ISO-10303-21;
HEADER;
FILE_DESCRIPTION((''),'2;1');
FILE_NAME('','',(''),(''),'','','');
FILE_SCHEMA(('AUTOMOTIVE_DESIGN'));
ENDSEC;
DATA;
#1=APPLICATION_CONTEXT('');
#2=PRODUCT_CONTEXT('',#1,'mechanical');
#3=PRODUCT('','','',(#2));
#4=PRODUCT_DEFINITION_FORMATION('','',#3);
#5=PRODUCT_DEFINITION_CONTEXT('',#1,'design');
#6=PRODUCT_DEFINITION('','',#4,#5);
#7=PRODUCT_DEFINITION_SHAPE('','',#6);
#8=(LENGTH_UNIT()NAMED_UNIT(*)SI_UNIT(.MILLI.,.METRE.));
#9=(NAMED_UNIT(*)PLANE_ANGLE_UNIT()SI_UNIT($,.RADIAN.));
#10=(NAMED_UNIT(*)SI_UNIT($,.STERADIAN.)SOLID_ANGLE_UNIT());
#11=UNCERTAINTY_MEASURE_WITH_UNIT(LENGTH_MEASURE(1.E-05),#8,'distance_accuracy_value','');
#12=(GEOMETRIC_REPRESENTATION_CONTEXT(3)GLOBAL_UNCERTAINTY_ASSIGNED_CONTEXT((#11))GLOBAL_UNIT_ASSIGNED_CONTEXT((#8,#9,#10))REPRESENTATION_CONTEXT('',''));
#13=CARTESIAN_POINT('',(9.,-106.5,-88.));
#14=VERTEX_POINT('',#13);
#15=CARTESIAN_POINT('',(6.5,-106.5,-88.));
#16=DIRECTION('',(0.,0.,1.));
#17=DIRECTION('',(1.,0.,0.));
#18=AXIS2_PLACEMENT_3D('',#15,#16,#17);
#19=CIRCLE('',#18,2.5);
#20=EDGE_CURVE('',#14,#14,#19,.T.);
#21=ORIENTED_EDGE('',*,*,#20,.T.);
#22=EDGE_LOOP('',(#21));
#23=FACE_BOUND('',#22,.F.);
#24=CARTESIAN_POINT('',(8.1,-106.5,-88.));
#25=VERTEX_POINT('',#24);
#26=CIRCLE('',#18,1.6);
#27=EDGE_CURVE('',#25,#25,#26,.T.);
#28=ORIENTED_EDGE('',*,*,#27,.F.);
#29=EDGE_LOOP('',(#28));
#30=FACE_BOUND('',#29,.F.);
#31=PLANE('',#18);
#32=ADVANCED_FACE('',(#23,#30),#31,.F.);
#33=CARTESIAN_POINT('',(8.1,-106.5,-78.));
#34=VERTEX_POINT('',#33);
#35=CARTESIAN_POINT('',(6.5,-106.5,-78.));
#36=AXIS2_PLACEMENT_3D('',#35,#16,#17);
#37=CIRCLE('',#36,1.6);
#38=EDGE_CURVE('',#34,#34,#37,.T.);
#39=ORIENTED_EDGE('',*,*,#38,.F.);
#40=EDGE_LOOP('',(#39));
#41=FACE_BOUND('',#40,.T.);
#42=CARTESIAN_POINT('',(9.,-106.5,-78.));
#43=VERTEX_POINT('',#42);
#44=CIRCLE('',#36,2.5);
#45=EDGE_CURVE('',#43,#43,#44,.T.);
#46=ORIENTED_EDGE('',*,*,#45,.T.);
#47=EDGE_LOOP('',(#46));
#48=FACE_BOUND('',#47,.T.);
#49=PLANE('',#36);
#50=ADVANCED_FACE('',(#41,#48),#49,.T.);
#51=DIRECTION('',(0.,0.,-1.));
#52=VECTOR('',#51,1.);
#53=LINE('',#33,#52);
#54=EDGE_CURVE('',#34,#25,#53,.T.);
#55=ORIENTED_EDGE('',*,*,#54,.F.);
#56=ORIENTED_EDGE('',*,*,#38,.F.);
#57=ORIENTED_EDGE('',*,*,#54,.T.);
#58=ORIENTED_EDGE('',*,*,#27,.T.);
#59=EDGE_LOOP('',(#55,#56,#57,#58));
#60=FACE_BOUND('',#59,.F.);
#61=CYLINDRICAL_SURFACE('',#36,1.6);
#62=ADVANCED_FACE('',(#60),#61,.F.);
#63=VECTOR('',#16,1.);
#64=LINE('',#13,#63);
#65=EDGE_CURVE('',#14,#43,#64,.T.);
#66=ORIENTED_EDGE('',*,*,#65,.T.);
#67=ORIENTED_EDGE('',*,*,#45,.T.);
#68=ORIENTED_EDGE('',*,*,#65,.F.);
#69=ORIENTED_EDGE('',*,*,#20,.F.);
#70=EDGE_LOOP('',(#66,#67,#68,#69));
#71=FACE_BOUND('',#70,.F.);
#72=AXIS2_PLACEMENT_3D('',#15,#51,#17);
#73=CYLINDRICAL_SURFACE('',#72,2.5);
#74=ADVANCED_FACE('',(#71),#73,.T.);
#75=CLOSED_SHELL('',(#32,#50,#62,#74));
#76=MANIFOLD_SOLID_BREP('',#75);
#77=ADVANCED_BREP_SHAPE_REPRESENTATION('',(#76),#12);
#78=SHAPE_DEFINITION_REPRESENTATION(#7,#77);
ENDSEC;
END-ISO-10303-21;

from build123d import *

# Parameters (mm, degrees)
SKETCH055_R  = 1.6
PAD021_DEPTH = 10
SKETCH054_R  = 2.5
PAD020_DEPTH = 10


with BuildPart() as pad021:
    # Sketch055 → Pad021 (new body)
    with BuildSketch(Plane.XY.offset(10)):
        Circle(SKETCH055_R)
    extrude(amount=-PAD021_DEPTH)


with BuildPart() as cut038:
    # Sketch054 → Pad020 (new body)
    with BuildSketch(Plane.XY):
        Circle(SKETCH054_R)
    extrude(amount=PAD020_DEPTH)

    # Cut038: cut Pad021
    add(pad021.part, mode=Mode.SUBTRACT)


with BuildPart() as cut038_1:
    # Cut038 placement: moved
    add(cut038.part.moved(Location((6.5, -106.5, -88))))


solid = cut038_1.part
